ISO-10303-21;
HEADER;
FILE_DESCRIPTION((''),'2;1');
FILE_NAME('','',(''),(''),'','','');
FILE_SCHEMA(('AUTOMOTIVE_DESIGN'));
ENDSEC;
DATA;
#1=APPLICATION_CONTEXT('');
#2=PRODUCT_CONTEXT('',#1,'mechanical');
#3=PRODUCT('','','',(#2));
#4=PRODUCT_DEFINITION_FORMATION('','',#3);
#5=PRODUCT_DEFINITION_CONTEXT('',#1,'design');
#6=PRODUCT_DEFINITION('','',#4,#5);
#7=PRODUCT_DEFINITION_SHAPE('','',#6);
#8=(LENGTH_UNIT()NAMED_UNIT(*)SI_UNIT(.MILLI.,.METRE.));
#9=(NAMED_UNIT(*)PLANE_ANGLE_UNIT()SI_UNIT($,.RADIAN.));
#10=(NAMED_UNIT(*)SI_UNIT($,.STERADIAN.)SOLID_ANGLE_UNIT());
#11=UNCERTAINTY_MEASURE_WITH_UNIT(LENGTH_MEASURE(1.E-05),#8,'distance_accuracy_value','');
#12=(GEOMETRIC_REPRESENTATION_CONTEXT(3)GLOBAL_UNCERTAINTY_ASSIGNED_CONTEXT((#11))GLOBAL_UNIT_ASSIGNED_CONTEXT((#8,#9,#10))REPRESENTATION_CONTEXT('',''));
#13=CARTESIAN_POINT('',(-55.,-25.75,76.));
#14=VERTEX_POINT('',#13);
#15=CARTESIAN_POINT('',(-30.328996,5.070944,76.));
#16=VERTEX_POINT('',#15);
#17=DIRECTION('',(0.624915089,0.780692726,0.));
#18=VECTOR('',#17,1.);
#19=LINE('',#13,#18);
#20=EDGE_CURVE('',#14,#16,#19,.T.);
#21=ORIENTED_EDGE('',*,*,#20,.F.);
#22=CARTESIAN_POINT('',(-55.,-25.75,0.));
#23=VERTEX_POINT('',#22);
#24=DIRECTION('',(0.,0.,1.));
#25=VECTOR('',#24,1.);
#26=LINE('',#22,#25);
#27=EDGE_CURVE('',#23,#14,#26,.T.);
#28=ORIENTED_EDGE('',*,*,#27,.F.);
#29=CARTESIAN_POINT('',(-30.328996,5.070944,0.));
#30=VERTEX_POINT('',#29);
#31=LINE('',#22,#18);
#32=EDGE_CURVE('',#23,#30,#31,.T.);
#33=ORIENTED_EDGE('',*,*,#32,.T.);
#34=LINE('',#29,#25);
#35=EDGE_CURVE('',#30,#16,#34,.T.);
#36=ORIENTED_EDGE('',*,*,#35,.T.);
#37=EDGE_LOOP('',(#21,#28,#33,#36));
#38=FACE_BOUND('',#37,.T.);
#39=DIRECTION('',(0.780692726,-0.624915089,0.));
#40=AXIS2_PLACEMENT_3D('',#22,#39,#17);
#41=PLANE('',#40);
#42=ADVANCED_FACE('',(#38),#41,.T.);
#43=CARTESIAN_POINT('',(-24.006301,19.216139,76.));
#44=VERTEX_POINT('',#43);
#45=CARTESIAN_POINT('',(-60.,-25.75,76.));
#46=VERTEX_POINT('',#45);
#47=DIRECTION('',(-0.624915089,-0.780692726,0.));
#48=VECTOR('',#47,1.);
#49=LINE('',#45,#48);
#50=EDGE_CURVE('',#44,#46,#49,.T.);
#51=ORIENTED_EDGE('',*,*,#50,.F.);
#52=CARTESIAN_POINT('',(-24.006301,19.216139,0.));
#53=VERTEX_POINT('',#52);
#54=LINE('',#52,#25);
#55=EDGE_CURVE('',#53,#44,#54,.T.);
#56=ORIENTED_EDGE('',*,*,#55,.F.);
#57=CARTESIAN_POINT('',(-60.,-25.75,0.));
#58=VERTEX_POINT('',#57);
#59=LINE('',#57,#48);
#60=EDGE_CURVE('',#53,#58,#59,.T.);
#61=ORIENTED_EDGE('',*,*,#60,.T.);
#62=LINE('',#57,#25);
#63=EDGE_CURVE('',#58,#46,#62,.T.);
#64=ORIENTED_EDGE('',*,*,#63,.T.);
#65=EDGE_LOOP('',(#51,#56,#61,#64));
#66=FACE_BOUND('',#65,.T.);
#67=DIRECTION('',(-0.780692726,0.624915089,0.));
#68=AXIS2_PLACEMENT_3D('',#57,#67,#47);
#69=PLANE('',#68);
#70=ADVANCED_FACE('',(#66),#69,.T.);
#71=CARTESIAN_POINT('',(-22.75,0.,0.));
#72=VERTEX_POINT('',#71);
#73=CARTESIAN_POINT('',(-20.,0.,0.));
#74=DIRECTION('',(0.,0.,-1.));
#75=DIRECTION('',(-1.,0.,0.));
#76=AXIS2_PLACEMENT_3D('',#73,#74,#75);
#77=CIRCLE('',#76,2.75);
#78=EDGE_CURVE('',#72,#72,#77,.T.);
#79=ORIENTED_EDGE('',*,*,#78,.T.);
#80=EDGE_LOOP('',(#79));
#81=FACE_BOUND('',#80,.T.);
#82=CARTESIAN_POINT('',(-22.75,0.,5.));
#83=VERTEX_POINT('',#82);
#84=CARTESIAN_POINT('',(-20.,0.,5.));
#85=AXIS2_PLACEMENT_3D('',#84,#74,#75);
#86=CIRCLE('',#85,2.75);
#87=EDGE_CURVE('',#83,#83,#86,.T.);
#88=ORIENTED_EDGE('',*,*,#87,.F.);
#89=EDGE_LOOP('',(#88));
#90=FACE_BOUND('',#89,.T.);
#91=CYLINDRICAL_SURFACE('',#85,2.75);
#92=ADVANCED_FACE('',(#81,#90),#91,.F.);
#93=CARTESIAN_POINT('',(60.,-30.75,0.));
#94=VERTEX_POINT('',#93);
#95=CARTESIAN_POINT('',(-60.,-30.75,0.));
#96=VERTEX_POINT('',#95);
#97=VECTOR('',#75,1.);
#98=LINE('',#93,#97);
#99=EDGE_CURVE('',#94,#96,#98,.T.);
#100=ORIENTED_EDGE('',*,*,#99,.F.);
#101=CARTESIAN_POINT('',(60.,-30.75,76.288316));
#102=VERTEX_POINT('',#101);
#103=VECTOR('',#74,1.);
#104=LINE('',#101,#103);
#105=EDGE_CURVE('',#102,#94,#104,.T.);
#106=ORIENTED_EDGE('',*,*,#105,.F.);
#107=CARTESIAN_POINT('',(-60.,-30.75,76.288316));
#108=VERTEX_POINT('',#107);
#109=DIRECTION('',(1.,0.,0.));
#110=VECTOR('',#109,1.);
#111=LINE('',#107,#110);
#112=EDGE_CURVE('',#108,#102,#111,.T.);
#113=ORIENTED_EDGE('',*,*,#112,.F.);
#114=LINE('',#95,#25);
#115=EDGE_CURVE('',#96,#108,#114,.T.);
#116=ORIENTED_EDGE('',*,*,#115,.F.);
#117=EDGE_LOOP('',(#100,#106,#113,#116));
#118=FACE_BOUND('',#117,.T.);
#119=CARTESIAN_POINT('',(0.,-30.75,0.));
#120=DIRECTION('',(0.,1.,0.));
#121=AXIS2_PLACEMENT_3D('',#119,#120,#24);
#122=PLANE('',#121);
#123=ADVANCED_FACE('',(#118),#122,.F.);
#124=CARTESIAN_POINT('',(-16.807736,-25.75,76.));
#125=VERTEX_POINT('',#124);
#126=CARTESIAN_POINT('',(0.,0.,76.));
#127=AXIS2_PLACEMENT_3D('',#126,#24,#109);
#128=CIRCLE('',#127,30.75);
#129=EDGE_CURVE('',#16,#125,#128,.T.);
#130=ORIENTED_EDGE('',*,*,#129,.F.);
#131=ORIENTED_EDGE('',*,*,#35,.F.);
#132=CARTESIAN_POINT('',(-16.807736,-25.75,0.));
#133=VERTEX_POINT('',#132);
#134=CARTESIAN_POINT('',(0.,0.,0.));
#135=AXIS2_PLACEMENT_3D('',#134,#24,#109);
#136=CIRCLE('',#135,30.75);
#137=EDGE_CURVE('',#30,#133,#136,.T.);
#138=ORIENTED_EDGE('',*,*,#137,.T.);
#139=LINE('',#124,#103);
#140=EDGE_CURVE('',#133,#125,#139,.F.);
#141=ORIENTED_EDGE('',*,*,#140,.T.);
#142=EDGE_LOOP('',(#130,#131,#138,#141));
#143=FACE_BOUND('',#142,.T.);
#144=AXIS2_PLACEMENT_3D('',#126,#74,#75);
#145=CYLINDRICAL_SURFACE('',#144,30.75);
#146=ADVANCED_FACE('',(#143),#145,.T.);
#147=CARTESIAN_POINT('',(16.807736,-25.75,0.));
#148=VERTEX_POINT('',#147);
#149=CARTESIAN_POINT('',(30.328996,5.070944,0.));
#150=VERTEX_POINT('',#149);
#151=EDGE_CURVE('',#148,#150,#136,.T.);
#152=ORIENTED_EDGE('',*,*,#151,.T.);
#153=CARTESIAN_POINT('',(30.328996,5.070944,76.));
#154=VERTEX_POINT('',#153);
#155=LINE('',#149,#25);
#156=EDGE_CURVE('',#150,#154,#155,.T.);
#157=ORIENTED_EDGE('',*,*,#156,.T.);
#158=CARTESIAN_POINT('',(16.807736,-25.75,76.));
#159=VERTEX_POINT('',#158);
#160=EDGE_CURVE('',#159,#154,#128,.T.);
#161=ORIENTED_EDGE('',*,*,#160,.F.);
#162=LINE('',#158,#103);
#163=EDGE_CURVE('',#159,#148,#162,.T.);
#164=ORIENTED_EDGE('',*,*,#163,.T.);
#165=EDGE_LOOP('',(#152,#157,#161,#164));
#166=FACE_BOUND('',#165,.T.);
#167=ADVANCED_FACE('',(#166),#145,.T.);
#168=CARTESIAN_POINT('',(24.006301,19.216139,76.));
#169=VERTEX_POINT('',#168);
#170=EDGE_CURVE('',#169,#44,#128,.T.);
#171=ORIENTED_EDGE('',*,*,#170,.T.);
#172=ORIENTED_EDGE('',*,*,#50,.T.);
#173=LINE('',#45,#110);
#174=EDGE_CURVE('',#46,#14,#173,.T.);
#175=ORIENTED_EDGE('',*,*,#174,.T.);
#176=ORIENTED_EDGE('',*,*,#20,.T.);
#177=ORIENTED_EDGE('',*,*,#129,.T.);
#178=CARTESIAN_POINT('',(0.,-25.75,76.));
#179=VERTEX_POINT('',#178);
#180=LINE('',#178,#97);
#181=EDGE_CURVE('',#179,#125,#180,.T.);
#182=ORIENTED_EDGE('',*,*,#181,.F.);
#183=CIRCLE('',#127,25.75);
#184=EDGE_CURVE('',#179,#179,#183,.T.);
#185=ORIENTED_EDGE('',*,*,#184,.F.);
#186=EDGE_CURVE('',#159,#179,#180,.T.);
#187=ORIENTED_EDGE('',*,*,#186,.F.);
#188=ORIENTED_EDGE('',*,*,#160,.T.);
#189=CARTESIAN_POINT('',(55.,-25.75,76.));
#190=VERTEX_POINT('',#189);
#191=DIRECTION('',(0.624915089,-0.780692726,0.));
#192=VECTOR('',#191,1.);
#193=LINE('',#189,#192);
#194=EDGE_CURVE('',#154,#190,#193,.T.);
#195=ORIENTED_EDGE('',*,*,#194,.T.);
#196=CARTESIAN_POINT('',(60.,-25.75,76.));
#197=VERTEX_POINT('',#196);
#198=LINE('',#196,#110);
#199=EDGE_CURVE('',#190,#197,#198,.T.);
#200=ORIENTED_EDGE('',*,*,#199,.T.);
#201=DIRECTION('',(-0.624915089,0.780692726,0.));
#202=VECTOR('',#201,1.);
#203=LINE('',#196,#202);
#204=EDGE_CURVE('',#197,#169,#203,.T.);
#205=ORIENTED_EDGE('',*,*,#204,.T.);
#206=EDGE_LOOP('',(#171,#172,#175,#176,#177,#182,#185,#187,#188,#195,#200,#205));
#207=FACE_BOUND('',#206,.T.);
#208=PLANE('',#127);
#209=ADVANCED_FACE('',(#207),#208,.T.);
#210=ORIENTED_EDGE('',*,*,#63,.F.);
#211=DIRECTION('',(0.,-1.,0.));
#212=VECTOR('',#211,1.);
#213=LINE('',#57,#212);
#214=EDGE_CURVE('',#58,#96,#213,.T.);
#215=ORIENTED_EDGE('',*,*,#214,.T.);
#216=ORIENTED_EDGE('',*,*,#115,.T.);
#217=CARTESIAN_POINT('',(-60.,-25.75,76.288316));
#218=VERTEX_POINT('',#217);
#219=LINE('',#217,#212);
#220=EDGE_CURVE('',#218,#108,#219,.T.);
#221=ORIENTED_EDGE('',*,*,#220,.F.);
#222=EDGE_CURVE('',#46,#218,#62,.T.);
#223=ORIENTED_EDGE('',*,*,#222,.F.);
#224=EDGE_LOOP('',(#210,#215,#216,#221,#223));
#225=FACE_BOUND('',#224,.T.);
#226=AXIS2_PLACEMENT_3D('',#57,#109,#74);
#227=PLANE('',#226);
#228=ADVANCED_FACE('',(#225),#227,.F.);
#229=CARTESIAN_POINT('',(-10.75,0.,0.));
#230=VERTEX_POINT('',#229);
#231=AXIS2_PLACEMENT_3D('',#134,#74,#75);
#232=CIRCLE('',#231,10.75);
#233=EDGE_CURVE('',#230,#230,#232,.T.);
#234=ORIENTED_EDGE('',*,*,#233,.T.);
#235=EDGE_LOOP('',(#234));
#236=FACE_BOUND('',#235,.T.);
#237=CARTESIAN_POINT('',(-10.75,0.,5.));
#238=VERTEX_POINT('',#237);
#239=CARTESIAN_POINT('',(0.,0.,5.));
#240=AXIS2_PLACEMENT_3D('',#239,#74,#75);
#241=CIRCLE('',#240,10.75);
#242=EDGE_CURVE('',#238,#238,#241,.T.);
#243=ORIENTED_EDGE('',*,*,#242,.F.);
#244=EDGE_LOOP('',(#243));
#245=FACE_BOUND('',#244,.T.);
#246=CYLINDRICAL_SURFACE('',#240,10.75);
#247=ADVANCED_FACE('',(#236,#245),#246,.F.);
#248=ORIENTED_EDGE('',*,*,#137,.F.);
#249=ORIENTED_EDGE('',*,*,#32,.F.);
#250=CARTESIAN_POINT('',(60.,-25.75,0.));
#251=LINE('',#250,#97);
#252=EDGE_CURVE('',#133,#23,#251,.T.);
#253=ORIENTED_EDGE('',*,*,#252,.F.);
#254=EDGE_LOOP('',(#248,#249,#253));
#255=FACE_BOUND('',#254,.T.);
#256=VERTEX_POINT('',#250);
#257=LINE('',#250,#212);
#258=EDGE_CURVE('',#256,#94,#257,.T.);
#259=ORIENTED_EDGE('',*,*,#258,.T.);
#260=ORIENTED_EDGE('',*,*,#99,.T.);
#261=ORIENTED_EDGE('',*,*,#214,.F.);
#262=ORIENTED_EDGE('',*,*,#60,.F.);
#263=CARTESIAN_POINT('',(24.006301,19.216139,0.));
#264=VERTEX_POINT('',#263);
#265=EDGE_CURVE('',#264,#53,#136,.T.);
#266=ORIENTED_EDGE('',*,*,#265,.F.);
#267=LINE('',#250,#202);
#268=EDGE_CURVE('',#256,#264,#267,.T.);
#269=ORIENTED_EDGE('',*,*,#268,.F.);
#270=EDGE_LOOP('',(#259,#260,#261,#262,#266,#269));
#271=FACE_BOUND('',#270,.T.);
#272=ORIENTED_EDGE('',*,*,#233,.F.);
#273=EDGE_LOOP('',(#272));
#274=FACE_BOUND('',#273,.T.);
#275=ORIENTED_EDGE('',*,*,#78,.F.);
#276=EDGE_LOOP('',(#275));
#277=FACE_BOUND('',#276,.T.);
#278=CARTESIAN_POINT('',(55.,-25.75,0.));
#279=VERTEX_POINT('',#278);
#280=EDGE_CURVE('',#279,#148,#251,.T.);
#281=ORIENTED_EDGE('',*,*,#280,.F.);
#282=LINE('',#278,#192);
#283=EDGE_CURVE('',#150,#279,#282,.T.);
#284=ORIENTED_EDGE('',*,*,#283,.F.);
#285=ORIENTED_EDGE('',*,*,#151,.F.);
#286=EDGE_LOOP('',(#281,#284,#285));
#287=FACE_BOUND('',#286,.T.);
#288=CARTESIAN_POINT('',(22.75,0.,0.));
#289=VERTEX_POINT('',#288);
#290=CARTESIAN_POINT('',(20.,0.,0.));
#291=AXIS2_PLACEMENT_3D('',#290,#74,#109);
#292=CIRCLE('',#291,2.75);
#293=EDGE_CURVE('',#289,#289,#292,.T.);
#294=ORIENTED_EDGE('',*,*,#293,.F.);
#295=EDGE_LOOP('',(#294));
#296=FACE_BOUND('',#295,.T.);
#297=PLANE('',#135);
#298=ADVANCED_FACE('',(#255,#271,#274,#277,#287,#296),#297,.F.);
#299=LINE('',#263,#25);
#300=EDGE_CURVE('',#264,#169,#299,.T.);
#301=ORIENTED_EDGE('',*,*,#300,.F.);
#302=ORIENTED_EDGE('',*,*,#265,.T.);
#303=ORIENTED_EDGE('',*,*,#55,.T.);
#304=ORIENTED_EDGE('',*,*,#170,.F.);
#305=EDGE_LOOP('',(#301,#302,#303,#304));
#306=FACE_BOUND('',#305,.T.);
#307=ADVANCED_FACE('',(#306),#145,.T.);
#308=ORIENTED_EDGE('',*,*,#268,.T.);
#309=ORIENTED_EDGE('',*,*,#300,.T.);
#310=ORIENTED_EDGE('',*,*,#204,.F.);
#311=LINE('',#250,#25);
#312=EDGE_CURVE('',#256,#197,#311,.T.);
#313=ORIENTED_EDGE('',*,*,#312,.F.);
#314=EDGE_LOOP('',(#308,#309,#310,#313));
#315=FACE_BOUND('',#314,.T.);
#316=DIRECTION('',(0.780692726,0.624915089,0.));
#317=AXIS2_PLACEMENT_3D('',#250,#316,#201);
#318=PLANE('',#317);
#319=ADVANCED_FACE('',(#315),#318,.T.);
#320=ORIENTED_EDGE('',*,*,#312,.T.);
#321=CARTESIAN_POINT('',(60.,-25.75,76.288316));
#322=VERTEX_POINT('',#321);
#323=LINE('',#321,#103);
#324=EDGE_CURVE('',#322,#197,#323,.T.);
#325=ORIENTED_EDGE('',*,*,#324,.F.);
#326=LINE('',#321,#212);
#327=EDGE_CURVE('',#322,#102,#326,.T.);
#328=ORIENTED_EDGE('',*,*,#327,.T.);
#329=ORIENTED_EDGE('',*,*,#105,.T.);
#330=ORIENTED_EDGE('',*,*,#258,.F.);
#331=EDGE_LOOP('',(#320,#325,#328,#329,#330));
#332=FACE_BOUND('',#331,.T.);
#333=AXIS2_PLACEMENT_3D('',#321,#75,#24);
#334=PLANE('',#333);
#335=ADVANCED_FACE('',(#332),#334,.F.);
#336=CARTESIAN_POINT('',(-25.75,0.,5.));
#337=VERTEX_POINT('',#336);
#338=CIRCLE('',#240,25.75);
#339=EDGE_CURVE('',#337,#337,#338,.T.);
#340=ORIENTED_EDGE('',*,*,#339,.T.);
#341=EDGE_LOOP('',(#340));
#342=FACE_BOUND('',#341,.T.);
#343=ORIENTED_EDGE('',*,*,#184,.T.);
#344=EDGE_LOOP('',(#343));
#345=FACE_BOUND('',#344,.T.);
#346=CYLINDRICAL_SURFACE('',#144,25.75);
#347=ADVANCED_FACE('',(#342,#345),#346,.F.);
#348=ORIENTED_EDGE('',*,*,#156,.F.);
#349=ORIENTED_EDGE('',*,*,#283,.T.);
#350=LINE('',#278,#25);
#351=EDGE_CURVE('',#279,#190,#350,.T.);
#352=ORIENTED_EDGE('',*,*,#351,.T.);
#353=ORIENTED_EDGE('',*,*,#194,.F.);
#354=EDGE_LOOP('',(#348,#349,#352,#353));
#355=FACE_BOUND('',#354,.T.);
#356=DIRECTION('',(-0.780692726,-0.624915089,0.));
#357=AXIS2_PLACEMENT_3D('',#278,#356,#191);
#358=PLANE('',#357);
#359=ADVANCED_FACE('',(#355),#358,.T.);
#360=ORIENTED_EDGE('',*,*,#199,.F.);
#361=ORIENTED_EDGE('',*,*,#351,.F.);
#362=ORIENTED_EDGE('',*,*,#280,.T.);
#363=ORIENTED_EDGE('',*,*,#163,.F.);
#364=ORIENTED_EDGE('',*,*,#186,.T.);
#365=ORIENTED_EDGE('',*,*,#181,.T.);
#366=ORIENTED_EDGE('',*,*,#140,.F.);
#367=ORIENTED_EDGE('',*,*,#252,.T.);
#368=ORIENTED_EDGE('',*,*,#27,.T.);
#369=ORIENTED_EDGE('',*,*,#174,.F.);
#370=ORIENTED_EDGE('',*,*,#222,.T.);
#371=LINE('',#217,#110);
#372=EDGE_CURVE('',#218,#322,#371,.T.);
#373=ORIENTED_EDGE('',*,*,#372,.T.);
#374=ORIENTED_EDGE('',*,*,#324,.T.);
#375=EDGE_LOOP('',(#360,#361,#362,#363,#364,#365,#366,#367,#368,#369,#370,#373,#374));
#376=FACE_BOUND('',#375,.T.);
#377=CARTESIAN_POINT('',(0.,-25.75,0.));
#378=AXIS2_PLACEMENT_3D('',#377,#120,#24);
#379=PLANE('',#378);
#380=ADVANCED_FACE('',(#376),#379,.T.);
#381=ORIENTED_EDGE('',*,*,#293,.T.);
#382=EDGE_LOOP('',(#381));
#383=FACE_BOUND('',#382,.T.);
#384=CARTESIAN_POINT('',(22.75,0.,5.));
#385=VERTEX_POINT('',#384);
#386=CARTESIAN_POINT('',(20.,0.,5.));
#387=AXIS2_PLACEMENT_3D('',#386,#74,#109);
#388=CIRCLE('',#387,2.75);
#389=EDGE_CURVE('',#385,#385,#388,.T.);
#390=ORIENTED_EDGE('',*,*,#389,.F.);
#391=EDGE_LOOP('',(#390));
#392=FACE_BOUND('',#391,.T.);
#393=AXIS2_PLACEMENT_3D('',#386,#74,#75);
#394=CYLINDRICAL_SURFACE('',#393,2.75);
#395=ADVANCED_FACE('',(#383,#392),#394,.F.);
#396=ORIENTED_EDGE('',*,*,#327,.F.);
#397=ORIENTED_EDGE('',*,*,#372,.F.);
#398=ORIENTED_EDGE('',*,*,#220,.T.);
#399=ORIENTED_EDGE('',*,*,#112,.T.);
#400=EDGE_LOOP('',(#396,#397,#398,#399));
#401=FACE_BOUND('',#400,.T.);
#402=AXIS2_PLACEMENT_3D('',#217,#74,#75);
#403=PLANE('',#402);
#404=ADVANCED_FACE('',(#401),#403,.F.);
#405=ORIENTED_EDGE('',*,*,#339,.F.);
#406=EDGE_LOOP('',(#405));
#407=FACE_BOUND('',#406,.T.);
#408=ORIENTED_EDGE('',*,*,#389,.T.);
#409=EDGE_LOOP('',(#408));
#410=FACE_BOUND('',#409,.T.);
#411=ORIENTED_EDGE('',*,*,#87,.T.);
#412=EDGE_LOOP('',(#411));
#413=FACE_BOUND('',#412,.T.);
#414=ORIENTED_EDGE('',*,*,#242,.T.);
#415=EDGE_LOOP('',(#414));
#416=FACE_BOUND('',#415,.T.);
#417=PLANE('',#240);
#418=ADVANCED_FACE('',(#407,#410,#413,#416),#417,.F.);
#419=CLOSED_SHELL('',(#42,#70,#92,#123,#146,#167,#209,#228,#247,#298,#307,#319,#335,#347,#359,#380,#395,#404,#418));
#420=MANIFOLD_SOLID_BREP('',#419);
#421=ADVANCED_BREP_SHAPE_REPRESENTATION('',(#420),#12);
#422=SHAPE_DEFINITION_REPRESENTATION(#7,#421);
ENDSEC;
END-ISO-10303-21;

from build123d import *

# Parameters (mm, degrees)
SKETCH1_R           = 30.75
SKETCH1_R_2         = 25.75
BOSS_EXTRUDE2_DEPTH = 76
SKETCH2_R           = 25.75
BOSS_EXTRUDE3_DEPTH = 5
SKETCH3_R           = 10.75
CUT_EXTRUDE1_DEPTH  = 5
SKETCH8_R           = 2.75
CUT_EXTRUDE3_DEPTH  = 5
SKETCH9_W           = 120
SKETCH9_H           = 76.288316085
BOSS_EXTRUDE4_DEPTH = 5
BOSS_EXTRUDE5_DEPTH = 76


with BuildPart() as part:
    # Sketch1 → Boss-Extrude2 (new body)
    with BuildSketch(Plane.XY):
        Circle(SKETCH1_R)
        Circle(SKETCH1_R_2, mode=Mode.SUBTRACT)
    extrude(amount=BOSS_EXTRUDE2_DEPTH)

    # Sketch2 → Boss-Extrude3 (add)
    with BuildSketch(Plane(origin=(0, 0, 0), x_dir=(-1, 0, 0), z_dir=(0, 0, -1))):
        Circle(SKETCH2_R)
    extrude(amount=-BOSS_EXTRUDE3_DEPTH)

    # Sketch3 → Cut-Extrude1 (cut)
    with BuildSketch(Plane(origin=(0, 0, 0), x_dir=(-1, 0, 0), z_dir=(0, 0, -1))):
        Circle(SKETCH3_R)
    extrude(amount=-CUT_EXTRUDE1_DEPTH, mode=Mode.SUBTRACT)

    # Sketch8 → Cut-Extrude3 (cut)
    with BuildSketch(Plane(origin=(0, 0, 0), x_dir=(-1, 0, 0), z_dir=(0, 0, -1))):
        with Locations((20, 0)):
            Circle(SKETCH8_R)
        with Locations(Location((-20, 0, 0), (0, 0, 180))):
            Circle(SKETCH8_R)
    extrude(amount=-CUT_EXTRUDE3_DEPTH, mode=Mode.SUBTRACT)

    # Sketch9 → Boss-Extrude4 (add)
    with BuildSketch(Plane(origin=(0, -30.75, 0), x_dir=(1, 0, 0), z_dir=(0, 1, 0))):
        with Locations((0, -38.144158043)):
            Rectangle(SKETCH9_W, SKETCH9_H)
    extrude(amount=BOSS_EXTRUDE4_DEPTH)

    # Sketch11 → Boss-Extrude5 (add, through all)
    with BuildSketch(Plane.XY.offset(76)):
        Polygon((-60, -25.75), (-24.006301312, 19.21613898), (-30.32899646, 5.070944065), (-55, -25.75), align=None)
        Polygon((55, -25.75), (30.32899646, 5.070944065), (24.006301312, 19.21613898), (60, -25.75), align=None)
    extrude(amount=-BOSS_EXTRUDE5_DEPTH)


solid = part.part
